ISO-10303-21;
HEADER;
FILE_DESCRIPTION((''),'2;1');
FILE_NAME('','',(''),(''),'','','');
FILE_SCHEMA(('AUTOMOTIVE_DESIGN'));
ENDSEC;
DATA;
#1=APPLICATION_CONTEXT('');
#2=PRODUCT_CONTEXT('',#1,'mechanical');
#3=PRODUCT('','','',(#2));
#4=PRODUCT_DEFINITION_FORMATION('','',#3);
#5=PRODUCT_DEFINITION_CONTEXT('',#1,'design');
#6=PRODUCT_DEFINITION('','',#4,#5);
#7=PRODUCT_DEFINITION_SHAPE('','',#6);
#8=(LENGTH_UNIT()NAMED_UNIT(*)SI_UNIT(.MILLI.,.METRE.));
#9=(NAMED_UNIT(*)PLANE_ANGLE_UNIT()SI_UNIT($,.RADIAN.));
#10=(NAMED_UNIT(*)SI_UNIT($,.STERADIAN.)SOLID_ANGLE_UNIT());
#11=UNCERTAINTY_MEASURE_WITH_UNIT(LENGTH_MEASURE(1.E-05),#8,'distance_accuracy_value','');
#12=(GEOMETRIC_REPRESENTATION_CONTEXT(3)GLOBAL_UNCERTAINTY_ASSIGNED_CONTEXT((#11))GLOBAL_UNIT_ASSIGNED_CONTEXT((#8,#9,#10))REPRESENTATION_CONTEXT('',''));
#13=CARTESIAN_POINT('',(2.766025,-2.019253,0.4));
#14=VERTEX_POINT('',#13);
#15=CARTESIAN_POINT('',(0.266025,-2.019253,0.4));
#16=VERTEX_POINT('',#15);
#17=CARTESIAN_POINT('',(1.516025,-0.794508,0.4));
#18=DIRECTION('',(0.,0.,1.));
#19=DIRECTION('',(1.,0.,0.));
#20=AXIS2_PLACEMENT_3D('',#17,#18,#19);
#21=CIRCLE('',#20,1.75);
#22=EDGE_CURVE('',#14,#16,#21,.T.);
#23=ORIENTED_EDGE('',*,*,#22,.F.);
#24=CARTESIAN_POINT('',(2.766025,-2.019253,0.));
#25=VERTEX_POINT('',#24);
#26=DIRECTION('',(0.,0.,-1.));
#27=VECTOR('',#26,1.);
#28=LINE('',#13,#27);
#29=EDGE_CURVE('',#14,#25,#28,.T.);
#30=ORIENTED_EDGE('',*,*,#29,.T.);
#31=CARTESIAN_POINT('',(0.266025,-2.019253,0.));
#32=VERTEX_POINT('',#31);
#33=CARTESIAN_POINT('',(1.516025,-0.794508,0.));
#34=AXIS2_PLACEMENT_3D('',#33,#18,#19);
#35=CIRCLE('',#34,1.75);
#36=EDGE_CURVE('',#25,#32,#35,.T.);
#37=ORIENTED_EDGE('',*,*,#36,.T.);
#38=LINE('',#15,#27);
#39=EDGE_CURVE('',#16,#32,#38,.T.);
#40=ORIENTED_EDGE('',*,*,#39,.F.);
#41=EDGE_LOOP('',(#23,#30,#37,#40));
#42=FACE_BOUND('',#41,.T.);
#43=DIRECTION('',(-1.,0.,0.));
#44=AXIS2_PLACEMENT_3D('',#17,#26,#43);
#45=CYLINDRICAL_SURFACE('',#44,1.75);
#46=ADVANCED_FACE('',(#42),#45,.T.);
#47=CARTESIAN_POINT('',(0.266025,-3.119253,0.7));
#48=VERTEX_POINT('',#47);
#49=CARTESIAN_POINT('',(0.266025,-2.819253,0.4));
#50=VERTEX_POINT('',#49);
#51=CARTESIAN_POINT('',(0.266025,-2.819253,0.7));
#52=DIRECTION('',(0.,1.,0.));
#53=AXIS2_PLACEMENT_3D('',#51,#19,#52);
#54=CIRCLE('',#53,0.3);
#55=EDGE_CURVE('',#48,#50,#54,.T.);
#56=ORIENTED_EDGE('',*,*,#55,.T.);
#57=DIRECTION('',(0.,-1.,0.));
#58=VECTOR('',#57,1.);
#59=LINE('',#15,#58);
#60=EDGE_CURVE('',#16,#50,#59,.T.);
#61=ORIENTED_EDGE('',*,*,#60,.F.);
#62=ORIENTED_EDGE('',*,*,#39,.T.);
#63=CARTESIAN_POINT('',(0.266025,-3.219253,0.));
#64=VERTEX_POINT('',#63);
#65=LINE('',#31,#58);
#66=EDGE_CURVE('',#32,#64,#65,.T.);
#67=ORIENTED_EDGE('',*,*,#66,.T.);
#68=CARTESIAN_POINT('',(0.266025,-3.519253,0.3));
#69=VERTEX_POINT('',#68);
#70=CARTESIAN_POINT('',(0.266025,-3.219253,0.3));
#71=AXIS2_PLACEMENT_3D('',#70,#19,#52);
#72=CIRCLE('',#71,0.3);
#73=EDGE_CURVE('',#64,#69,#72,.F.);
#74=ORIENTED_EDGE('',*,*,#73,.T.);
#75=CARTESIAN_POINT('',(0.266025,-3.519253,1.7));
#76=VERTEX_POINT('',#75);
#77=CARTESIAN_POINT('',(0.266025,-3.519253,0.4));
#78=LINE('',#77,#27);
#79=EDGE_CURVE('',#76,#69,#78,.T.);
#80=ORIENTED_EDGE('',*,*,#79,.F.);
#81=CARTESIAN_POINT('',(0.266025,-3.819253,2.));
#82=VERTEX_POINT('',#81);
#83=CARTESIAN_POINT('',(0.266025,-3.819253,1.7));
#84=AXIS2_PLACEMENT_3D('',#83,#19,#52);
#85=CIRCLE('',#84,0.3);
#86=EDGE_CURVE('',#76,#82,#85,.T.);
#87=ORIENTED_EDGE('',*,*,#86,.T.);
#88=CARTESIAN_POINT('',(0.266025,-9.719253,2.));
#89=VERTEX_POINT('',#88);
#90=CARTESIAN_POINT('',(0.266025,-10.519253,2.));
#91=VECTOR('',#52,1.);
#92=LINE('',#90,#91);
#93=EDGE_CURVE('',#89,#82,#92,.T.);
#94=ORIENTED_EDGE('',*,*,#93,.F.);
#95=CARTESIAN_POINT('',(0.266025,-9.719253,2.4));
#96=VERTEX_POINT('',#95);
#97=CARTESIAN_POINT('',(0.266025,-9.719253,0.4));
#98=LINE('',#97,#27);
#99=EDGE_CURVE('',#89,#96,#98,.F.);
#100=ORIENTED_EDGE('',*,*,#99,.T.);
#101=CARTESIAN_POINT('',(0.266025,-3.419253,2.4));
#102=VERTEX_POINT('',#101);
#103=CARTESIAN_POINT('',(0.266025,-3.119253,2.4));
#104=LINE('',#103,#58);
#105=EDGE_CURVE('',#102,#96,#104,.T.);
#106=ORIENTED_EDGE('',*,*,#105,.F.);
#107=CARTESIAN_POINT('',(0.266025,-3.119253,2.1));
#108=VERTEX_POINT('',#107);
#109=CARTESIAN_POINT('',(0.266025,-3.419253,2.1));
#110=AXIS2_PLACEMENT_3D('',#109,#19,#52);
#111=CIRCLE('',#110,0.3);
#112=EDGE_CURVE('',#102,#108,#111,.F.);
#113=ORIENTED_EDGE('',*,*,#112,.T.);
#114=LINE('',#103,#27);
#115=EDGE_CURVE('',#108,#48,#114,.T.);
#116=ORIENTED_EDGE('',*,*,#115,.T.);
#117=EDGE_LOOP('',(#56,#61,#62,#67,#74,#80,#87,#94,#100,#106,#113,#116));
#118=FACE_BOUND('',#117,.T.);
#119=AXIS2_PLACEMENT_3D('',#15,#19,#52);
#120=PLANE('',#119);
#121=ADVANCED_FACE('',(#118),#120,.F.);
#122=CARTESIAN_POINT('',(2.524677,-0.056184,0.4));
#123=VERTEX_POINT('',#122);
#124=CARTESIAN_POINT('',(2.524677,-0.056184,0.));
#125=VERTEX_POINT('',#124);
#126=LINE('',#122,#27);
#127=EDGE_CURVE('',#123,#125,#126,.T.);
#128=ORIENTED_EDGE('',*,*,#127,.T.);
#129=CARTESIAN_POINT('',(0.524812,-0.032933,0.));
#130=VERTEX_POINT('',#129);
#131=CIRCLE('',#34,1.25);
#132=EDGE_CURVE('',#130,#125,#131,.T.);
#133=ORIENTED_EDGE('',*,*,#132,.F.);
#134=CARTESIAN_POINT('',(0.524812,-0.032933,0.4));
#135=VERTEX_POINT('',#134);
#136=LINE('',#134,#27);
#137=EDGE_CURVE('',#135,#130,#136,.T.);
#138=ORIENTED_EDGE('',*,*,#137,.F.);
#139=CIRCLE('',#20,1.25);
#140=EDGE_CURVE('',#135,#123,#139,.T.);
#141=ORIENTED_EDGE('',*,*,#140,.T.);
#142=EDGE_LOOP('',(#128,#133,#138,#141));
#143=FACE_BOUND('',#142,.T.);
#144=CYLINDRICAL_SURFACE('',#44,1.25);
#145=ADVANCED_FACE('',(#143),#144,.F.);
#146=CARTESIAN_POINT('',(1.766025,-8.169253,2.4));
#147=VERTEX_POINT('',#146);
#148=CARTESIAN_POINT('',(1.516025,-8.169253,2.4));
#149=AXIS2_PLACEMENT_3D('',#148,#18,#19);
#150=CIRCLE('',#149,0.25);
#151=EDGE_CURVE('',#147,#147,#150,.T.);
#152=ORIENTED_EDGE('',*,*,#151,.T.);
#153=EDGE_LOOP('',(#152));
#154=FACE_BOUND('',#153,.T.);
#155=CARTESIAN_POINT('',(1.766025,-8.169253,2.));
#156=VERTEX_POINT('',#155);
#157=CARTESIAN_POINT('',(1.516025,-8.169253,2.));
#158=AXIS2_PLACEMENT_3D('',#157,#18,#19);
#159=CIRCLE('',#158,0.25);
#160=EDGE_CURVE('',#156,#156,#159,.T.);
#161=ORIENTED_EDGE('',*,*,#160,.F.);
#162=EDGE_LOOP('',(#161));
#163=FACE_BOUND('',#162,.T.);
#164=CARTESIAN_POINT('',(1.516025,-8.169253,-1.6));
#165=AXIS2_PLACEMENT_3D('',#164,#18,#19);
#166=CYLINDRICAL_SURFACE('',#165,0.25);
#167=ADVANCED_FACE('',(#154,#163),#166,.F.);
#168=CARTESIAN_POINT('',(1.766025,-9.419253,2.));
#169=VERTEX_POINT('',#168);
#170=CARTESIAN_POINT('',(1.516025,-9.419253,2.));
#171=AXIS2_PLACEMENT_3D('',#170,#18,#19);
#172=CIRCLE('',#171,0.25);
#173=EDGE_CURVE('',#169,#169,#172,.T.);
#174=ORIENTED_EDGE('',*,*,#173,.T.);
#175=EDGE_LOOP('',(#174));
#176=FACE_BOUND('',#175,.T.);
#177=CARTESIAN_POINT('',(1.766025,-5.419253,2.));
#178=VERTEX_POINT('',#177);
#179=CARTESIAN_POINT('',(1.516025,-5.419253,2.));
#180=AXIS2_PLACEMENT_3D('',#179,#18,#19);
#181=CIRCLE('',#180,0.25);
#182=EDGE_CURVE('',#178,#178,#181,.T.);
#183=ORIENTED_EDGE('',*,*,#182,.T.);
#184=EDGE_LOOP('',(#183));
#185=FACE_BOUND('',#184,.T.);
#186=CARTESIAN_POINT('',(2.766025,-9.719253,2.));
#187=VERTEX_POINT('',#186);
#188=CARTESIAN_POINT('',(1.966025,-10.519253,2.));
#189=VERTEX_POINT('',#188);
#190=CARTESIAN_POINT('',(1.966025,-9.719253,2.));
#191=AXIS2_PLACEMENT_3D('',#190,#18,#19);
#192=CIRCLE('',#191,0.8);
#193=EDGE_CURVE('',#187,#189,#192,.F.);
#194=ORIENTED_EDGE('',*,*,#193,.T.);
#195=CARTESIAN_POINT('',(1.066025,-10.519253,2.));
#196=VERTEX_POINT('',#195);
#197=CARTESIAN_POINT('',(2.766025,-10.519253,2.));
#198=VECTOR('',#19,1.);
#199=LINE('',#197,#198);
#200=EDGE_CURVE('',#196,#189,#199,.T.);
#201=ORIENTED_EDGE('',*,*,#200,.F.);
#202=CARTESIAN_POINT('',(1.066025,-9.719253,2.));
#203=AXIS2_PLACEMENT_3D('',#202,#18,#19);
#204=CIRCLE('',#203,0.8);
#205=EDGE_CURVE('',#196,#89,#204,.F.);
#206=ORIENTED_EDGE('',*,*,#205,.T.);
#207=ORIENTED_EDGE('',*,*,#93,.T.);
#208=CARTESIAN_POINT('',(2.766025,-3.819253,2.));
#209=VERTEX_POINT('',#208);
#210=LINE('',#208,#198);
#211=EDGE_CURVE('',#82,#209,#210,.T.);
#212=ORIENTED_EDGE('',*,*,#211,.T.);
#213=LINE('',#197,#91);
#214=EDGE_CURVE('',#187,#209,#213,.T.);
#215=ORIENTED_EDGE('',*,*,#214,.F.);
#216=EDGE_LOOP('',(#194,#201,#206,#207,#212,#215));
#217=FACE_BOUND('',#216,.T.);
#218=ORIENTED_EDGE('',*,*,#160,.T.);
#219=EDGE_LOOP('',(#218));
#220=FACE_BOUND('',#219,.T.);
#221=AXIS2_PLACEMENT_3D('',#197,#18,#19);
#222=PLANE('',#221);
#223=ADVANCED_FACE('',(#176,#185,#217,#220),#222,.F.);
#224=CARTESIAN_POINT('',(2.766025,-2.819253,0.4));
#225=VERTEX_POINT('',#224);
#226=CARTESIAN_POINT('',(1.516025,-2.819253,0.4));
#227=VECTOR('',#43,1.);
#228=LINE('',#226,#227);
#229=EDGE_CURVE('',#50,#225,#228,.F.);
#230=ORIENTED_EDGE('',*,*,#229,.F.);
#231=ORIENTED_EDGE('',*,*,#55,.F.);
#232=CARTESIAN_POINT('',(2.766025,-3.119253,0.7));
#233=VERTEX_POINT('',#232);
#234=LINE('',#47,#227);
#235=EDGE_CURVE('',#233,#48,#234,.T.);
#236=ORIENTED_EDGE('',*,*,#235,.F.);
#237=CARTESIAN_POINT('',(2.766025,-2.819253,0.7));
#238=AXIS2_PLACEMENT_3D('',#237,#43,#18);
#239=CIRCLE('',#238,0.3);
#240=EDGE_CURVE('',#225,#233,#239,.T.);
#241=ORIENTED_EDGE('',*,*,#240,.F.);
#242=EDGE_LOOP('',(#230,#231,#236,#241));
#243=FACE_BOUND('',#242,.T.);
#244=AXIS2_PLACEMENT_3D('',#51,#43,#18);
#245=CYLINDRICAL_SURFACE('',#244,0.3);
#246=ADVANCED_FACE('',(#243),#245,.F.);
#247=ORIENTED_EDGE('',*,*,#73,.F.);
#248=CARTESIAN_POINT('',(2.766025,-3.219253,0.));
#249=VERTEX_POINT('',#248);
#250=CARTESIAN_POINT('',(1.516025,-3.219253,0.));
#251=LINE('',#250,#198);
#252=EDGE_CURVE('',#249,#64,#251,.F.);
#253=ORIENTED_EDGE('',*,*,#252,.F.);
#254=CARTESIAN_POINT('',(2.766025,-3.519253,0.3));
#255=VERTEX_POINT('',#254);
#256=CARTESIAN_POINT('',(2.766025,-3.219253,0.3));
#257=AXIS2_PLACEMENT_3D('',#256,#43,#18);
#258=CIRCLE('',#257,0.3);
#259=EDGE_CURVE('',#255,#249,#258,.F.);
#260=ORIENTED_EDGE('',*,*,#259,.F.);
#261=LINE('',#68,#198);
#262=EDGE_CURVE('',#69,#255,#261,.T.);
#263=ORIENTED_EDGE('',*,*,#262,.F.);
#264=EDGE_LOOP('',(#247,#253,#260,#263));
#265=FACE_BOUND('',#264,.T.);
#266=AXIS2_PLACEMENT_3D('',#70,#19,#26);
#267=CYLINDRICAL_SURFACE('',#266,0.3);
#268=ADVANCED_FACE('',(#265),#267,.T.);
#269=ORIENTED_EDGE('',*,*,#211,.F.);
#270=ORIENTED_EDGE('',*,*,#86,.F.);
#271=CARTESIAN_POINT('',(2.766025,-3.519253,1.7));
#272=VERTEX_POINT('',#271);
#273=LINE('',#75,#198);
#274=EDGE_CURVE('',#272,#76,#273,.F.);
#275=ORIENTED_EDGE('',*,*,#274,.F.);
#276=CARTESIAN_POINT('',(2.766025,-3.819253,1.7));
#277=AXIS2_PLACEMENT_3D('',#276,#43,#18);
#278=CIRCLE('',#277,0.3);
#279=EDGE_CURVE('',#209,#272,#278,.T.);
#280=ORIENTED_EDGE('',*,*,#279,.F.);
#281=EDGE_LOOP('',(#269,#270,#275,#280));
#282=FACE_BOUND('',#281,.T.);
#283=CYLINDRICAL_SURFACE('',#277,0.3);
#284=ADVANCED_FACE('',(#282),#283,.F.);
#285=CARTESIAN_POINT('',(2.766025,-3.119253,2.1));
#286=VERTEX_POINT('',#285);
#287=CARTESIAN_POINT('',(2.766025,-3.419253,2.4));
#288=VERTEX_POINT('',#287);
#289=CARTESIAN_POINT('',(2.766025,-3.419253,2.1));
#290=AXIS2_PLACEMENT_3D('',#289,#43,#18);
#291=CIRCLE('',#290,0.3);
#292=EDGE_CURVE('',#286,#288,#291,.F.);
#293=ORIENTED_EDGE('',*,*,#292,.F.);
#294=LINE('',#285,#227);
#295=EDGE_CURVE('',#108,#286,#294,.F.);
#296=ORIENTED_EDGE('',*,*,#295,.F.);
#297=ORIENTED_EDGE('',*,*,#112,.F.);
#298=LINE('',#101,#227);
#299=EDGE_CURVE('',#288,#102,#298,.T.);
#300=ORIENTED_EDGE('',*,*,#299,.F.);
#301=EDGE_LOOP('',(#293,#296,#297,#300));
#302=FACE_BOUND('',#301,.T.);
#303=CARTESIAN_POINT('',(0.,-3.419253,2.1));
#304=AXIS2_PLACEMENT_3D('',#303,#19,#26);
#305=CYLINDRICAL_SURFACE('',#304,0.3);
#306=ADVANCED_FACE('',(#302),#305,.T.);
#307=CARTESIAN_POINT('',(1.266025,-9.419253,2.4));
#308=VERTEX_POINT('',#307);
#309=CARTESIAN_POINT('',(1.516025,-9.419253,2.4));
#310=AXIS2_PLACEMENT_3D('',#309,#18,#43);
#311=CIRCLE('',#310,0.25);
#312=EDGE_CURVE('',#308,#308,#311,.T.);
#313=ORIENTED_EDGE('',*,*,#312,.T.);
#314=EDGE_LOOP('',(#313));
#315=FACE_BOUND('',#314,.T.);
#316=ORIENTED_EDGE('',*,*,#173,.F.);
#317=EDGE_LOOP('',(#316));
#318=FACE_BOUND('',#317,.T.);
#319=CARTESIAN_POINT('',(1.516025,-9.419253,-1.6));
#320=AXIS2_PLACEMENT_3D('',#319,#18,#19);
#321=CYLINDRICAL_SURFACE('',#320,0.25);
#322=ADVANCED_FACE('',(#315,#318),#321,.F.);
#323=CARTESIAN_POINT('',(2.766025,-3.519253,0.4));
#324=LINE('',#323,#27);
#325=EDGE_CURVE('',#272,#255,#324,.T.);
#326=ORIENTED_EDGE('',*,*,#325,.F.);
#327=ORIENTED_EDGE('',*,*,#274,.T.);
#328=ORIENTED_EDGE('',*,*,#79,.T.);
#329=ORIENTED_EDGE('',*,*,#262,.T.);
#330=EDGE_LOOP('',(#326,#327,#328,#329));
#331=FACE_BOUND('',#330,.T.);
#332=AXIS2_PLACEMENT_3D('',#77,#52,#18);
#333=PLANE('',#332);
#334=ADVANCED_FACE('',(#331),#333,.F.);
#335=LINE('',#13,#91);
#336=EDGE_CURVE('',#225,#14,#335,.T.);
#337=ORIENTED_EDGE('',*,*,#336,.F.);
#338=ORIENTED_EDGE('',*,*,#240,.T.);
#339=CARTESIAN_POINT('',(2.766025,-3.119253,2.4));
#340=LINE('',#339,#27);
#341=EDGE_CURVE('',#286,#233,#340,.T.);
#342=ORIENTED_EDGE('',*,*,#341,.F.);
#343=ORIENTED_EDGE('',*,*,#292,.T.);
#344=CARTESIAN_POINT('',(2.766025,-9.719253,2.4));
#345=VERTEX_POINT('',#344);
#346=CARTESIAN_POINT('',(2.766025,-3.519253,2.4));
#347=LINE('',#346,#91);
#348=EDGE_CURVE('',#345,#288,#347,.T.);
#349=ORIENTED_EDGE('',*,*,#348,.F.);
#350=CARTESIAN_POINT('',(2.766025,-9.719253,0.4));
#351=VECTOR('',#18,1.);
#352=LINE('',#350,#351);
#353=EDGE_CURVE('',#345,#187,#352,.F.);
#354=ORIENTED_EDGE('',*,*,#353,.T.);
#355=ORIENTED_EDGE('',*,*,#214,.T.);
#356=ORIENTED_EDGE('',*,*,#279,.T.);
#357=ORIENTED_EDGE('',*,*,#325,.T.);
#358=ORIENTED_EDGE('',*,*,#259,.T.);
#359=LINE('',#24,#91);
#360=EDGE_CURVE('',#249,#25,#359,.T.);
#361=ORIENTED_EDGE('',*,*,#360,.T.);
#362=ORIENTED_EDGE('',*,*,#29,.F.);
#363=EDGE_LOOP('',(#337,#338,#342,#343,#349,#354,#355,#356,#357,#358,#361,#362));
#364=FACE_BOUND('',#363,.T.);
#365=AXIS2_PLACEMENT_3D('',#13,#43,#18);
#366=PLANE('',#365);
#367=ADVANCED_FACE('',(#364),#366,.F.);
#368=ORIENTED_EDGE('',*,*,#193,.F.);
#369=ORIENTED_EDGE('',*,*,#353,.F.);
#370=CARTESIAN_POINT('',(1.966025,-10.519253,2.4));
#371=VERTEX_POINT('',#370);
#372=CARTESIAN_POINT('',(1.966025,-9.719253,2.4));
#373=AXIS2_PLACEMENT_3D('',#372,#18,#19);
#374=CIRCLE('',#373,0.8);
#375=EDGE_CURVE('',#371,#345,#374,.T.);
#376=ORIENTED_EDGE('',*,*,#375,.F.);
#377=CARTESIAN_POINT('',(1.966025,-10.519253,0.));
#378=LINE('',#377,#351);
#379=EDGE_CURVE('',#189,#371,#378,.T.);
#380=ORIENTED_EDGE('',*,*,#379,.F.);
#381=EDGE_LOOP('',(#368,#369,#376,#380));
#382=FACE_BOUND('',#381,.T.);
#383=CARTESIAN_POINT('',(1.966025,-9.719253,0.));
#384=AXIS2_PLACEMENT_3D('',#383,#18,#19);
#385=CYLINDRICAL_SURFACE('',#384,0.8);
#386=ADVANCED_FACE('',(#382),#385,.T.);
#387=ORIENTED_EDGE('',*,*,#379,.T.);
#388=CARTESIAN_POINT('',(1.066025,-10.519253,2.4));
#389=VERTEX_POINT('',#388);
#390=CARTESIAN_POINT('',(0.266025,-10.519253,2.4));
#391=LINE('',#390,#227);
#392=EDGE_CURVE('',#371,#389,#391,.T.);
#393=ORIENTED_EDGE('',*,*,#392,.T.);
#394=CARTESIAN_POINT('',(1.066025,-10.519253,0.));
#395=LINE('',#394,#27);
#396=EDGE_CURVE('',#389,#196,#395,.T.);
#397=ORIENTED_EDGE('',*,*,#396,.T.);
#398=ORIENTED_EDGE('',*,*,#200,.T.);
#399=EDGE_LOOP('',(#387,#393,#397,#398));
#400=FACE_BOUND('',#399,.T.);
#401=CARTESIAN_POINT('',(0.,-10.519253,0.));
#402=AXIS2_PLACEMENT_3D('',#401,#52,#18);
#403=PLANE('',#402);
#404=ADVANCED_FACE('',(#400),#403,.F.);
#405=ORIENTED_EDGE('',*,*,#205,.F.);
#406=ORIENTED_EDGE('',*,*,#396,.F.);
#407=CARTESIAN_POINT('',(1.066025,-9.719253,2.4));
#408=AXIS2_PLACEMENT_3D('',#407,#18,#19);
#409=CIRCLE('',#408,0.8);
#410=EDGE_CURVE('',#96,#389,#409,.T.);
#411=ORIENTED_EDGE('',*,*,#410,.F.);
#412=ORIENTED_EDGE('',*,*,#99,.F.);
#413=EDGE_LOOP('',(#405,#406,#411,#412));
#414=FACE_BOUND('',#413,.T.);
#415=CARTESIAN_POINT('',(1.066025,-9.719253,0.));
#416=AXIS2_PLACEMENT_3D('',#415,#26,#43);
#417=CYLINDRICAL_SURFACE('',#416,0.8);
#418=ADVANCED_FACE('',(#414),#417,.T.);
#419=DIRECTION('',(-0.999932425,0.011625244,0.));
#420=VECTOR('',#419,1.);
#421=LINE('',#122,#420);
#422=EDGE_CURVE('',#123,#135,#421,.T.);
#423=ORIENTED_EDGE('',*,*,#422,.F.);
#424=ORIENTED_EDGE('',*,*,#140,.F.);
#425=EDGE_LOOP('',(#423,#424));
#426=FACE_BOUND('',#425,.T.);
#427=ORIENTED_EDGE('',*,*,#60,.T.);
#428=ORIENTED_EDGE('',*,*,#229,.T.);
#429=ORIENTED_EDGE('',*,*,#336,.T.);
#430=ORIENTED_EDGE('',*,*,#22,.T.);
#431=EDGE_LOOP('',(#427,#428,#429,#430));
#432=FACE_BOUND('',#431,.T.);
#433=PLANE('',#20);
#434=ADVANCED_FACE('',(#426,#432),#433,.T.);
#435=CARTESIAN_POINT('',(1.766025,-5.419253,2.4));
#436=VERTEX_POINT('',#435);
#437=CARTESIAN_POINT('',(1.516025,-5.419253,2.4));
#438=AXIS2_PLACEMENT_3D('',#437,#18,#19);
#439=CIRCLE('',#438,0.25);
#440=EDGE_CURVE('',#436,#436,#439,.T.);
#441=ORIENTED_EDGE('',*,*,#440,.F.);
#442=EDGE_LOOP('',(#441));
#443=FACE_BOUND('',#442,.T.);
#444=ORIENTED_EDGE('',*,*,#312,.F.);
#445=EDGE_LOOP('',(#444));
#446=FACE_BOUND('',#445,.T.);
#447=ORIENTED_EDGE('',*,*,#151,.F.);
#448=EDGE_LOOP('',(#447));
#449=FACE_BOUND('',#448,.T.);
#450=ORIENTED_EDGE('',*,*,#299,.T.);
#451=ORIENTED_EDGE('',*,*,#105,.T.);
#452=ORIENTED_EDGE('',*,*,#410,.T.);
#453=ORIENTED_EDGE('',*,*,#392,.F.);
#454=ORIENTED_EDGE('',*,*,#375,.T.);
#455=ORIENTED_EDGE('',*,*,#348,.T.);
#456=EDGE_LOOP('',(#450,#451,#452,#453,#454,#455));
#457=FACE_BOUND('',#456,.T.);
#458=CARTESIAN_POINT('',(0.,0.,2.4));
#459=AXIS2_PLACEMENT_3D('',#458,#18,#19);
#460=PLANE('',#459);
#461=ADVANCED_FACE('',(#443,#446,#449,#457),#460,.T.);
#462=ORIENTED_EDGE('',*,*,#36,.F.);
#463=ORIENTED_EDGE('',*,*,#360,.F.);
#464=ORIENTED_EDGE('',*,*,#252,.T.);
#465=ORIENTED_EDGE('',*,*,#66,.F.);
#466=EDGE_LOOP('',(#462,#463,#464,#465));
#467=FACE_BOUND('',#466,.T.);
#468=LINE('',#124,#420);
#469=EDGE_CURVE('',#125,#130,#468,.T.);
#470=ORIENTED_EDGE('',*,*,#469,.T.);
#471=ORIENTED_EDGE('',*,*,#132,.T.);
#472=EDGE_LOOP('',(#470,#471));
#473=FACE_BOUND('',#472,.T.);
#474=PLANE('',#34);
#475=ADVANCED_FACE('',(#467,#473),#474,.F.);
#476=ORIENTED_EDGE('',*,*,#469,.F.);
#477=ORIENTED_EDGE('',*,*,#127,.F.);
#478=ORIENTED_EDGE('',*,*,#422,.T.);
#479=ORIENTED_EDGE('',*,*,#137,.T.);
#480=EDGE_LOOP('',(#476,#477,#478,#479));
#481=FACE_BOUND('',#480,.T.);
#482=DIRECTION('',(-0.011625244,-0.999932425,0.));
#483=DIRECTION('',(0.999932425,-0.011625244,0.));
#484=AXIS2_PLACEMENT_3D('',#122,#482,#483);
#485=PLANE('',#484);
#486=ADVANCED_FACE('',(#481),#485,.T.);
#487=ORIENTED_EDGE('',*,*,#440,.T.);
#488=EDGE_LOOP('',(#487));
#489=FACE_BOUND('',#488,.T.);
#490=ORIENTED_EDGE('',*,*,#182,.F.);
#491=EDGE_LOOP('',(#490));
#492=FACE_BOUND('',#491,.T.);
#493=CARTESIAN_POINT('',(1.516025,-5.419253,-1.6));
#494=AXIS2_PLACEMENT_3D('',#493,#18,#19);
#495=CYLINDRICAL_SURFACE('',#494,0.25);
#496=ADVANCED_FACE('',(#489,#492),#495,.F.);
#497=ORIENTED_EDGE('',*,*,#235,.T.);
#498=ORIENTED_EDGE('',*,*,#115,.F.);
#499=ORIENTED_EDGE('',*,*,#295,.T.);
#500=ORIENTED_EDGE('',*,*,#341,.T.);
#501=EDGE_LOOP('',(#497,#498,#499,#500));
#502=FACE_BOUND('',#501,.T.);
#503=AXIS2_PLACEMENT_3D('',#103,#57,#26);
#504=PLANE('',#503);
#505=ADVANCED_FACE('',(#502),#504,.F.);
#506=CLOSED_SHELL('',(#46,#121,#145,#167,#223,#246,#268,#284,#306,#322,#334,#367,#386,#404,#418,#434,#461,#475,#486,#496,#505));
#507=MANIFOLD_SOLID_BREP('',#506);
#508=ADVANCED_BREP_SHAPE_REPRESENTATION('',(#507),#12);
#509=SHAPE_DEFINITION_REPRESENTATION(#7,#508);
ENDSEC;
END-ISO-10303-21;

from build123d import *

# Parameters (mm, degrees)
BOSS_EXTRUDE1_DEPTH = 0.4
SKETCH2_W           = 2.5
SKETCH2_H           = 0.4
BOSS_EXTRUDE2_DEPTH = 2
SKETCH3_W           = 2.5
SKETCH3_H           = 0.4
BOSS_EXTRUDE3_DEPTH = 7
FILLET1_R           = 0.3
FILLET2_R           = 0.8
SKETCH4_R           = 0.25
CUT_EXTRUDE1_DEPTH  = 4


with BuildPart() as part:
    # Sketch1 → Boss-Extrude1 (new body)
    with BuildSketch(Plane.XY):
        with BuildLine():
            Line((0.266025337, -2.019252852), (0.266025337, -3.519252852))
            Line((0.266025337, -3.519252852), (2.766025337, -3.519252852))
            Line((2.766025337, -3.519252852), (2.766025337, -2.019252852))
            ThreePointArc((2.766025337, -2.019252852), (1.516025337, 0.955492019), (0.266025337, -2.019252852))
        make_face()
        with BuildLine():
            Line((2.524676695, -0.056183906), (0.524811845, -0.032933419))
            ThreePointArc((0.524811845, -0.032933419), (1.501493783, -2.044423511), (2.524676695, -0.056183906))
        make_face(mode=Mode.SUBTRACT)
    extrude(amount=BOSS_EXTRUDE1_DEPTH)

    # Sketch2 → Boss-Extrude2 (add)
    with BuildSketch(Plane.XY.offset(0.4)):
        with Locations((1.516025337, -3.319252852)):
            Rectangle(SKETCH2_W, SKETCH2_H)
    extrude(amount=BOSS_EXTRUDE2_DEPTH)

    # Sketch3 → Boss-Extrude3 (add)
    with BuildSketch(Plane.XZ.offset(3.519252852)):
        with Locations((1.516025337, 2.2)):
            Rectangle(SKETCH3_W, SKETCH3_H)
    extrude(amount=BOSS_EXTRUDE3_DEPTH)

    # Fillet1
    fillet1_edges = [part.edges().sort_by_distance(p)[0] for p in [
        (1.516025337, -3.119252852, 0.4),
        (1.516025337, -3.119252852, 2.4),
        (1.516025337, -3.519252852, 2),
        (1.516025337, -3.519252852, 0),
    ]]
    fillet(fillet1_edges, radius=FILLET1_R)

    # Fillet2
    fillet2_edges = [part.edges().sort_by_distance(p)[0] for p in [
        (0.266025337, -10.519252852, 2.2),
        (2.766025337, -10.519252852, 2.2),
    ]]
    fillet(fillet2_edges, radius=FILLET2_R)

    # Sketch4 → Cut-Extrude1 (cut)
    with BuildSketch(Plane.XY.offset(2.4)):
        with Locations((1.516025337, -5.419252852)):
            Circle(SKETCH4_R)
        with Locations((1.516025337, -9.419252852)):
            Circle(SKETCH4_R)
        with Locations((1.516025337, -8.169252852)):
            Circle(SKETCH4_R)
    extrude(amount=-CUT_EXTRUDE1_DEPTH, mode=Mode.SUBTRACT)


solid = part.part
